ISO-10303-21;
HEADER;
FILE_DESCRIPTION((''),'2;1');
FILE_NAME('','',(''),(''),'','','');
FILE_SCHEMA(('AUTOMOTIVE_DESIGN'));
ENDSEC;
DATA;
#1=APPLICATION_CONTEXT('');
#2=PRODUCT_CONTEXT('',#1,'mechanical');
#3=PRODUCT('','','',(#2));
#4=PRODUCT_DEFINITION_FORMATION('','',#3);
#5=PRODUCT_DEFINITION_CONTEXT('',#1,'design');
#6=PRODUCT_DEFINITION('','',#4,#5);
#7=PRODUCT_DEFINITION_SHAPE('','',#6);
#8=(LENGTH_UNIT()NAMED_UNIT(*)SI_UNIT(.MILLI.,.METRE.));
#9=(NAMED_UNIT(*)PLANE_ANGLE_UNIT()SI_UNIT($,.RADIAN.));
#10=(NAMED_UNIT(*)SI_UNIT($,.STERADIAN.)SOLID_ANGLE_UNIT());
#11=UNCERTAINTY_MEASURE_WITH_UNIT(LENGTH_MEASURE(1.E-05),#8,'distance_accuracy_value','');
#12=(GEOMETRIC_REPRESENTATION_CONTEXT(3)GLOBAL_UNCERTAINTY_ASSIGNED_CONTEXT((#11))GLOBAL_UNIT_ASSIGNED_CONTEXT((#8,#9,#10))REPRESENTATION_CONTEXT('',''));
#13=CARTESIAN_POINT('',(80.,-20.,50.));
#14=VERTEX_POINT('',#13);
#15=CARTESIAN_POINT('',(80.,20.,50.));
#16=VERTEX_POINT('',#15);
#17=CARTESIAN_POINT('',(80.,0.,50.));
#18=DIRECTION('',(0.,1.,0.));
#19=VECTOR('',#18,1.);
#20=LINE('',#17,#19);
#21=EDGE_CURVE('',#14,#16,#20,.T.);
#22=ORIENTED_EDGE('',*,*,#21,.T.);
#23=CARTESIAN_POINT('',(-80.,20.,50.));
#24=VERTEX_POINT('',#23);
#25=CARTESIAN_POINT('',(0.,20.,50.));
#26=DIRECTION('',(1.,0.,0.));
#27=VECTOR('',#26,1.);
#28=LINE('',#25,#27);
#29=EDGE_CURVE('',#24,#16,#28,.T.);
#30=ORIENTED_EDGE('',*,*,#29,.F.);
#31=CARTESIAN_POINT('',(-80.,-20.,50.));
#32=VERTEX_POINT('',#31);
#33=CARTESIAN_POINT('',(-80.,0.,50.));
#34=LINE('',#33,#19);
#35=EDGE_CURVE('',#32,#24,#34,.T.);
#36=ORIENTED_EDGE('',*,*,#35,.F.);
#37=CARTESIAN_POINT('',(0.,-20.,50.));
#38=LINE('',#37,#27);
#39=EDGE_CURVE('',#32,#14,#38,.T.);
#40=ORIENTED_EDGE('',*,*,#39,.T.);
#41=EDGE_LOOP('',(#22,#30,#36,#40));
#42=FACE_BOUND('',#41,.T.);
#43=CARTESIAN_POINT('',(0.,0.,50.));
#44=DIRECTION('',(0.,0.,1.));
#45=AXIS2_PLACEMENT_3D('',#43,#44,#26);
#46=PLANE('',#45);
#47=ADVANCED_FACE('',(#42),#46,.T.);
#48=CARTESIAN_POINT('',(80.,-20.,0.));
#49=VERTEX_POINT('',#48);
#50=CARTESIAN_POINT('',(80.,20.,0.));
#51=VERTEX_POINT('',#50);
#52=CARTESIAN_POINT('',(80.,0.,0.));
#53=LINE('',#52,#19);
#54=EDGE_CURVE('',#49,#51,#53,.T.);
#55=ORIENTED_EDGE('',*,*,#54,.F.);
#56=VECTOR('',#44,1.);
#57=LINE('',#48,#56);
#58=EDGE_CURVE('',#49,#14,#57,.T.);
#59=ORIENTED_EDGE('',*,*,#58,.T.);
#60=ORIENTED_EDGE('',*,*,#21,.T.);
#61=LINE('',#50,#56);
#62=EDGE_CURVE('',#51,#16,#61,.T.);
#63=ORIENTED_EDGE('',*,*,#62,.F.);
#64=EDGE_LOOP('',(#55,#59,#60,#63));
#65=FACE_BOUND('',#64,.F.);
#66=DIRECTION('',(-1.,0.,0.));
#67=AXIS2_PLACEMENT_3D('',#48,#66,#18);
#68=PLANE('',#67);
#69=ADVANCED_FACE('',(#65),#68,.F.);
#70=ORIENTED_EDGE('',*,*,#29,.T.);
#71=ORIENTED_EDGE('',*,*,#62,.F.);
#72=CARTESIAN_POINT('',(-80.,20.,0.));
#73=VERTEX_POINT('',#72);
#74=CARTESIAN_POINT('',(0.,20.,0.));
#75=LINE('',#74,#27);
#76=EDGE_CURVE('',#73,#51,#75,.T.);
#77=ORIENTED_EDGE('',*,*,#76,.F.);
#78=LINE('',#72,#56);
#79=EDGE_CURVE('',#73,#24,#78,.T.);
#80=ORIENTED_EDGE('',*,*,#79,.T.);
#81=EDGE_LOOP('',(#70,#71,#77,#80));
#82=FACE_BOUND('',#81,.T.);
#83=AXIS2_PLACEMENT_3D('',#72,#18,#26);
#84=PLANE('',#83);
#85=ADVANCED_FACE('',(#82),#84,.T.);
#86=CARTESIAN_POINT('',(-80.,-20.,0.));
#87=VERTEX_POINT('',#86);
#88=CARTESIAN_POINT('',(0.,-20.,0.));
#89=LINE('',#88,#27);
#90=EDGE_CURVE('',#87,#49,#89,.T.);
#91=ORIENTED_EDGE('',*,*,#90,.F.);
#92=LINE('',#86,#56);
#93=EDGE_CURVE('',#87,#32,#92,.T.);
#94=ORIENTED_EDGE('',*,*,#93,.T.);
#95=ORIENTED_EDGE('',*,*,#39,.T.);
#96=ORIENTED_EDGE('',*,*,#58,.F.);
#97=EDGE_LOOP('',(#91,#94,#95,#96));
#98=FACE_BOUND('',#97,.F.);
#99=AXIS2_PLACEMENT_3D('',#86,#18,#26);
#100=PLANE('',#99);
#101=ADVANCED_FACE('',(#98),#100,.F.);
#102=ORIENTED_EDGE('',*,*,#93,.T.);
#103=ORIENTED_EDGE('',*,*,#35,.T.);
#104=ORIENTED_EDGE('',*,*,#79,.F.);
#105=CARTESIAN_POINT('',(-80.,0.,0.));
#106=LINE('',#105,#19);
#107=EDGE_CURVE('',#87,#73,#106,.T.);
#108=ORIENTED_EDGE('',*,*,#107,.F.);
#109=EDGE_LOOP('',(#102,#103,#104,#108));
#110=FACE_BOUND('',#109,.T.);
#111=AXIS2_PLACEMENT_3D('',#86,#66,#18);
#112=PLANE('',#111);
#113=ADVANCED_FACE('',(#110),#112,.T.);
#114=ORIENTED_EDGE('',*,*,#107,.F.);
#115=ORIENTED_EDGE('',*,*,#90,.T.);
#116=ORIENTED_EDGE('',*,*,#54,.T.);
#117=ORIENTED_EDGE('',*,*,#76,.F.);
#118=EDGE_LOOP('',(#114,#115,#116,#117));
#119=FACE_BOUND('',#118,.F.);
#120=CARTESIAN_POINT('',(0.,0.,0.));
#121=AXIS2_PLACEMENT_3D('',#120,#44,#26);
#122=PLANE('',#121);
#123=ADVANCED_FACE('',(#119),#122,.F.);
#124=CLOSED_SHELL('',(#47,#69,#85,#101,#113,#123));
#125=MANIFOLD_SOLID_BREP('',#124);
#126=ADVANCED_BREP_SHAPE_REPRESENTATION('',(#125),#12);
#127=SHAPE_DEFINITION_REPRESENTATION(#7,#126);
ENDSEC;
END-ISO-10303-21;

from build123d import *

# Parameters (mm, degrees)
SKETCH_W      = 160
SKETCH_H      = 40
EXTRUDE_DEPTH = 50


with BuildPart() as part:
    # Sketch → Extrude (new body)
    with BuildSketch(Plane.XY):
        Rectangle(SKETCH_W, SKETCH_H)
    extrude(amount=EXTRUDE_DEPTH)


solid = part.part
